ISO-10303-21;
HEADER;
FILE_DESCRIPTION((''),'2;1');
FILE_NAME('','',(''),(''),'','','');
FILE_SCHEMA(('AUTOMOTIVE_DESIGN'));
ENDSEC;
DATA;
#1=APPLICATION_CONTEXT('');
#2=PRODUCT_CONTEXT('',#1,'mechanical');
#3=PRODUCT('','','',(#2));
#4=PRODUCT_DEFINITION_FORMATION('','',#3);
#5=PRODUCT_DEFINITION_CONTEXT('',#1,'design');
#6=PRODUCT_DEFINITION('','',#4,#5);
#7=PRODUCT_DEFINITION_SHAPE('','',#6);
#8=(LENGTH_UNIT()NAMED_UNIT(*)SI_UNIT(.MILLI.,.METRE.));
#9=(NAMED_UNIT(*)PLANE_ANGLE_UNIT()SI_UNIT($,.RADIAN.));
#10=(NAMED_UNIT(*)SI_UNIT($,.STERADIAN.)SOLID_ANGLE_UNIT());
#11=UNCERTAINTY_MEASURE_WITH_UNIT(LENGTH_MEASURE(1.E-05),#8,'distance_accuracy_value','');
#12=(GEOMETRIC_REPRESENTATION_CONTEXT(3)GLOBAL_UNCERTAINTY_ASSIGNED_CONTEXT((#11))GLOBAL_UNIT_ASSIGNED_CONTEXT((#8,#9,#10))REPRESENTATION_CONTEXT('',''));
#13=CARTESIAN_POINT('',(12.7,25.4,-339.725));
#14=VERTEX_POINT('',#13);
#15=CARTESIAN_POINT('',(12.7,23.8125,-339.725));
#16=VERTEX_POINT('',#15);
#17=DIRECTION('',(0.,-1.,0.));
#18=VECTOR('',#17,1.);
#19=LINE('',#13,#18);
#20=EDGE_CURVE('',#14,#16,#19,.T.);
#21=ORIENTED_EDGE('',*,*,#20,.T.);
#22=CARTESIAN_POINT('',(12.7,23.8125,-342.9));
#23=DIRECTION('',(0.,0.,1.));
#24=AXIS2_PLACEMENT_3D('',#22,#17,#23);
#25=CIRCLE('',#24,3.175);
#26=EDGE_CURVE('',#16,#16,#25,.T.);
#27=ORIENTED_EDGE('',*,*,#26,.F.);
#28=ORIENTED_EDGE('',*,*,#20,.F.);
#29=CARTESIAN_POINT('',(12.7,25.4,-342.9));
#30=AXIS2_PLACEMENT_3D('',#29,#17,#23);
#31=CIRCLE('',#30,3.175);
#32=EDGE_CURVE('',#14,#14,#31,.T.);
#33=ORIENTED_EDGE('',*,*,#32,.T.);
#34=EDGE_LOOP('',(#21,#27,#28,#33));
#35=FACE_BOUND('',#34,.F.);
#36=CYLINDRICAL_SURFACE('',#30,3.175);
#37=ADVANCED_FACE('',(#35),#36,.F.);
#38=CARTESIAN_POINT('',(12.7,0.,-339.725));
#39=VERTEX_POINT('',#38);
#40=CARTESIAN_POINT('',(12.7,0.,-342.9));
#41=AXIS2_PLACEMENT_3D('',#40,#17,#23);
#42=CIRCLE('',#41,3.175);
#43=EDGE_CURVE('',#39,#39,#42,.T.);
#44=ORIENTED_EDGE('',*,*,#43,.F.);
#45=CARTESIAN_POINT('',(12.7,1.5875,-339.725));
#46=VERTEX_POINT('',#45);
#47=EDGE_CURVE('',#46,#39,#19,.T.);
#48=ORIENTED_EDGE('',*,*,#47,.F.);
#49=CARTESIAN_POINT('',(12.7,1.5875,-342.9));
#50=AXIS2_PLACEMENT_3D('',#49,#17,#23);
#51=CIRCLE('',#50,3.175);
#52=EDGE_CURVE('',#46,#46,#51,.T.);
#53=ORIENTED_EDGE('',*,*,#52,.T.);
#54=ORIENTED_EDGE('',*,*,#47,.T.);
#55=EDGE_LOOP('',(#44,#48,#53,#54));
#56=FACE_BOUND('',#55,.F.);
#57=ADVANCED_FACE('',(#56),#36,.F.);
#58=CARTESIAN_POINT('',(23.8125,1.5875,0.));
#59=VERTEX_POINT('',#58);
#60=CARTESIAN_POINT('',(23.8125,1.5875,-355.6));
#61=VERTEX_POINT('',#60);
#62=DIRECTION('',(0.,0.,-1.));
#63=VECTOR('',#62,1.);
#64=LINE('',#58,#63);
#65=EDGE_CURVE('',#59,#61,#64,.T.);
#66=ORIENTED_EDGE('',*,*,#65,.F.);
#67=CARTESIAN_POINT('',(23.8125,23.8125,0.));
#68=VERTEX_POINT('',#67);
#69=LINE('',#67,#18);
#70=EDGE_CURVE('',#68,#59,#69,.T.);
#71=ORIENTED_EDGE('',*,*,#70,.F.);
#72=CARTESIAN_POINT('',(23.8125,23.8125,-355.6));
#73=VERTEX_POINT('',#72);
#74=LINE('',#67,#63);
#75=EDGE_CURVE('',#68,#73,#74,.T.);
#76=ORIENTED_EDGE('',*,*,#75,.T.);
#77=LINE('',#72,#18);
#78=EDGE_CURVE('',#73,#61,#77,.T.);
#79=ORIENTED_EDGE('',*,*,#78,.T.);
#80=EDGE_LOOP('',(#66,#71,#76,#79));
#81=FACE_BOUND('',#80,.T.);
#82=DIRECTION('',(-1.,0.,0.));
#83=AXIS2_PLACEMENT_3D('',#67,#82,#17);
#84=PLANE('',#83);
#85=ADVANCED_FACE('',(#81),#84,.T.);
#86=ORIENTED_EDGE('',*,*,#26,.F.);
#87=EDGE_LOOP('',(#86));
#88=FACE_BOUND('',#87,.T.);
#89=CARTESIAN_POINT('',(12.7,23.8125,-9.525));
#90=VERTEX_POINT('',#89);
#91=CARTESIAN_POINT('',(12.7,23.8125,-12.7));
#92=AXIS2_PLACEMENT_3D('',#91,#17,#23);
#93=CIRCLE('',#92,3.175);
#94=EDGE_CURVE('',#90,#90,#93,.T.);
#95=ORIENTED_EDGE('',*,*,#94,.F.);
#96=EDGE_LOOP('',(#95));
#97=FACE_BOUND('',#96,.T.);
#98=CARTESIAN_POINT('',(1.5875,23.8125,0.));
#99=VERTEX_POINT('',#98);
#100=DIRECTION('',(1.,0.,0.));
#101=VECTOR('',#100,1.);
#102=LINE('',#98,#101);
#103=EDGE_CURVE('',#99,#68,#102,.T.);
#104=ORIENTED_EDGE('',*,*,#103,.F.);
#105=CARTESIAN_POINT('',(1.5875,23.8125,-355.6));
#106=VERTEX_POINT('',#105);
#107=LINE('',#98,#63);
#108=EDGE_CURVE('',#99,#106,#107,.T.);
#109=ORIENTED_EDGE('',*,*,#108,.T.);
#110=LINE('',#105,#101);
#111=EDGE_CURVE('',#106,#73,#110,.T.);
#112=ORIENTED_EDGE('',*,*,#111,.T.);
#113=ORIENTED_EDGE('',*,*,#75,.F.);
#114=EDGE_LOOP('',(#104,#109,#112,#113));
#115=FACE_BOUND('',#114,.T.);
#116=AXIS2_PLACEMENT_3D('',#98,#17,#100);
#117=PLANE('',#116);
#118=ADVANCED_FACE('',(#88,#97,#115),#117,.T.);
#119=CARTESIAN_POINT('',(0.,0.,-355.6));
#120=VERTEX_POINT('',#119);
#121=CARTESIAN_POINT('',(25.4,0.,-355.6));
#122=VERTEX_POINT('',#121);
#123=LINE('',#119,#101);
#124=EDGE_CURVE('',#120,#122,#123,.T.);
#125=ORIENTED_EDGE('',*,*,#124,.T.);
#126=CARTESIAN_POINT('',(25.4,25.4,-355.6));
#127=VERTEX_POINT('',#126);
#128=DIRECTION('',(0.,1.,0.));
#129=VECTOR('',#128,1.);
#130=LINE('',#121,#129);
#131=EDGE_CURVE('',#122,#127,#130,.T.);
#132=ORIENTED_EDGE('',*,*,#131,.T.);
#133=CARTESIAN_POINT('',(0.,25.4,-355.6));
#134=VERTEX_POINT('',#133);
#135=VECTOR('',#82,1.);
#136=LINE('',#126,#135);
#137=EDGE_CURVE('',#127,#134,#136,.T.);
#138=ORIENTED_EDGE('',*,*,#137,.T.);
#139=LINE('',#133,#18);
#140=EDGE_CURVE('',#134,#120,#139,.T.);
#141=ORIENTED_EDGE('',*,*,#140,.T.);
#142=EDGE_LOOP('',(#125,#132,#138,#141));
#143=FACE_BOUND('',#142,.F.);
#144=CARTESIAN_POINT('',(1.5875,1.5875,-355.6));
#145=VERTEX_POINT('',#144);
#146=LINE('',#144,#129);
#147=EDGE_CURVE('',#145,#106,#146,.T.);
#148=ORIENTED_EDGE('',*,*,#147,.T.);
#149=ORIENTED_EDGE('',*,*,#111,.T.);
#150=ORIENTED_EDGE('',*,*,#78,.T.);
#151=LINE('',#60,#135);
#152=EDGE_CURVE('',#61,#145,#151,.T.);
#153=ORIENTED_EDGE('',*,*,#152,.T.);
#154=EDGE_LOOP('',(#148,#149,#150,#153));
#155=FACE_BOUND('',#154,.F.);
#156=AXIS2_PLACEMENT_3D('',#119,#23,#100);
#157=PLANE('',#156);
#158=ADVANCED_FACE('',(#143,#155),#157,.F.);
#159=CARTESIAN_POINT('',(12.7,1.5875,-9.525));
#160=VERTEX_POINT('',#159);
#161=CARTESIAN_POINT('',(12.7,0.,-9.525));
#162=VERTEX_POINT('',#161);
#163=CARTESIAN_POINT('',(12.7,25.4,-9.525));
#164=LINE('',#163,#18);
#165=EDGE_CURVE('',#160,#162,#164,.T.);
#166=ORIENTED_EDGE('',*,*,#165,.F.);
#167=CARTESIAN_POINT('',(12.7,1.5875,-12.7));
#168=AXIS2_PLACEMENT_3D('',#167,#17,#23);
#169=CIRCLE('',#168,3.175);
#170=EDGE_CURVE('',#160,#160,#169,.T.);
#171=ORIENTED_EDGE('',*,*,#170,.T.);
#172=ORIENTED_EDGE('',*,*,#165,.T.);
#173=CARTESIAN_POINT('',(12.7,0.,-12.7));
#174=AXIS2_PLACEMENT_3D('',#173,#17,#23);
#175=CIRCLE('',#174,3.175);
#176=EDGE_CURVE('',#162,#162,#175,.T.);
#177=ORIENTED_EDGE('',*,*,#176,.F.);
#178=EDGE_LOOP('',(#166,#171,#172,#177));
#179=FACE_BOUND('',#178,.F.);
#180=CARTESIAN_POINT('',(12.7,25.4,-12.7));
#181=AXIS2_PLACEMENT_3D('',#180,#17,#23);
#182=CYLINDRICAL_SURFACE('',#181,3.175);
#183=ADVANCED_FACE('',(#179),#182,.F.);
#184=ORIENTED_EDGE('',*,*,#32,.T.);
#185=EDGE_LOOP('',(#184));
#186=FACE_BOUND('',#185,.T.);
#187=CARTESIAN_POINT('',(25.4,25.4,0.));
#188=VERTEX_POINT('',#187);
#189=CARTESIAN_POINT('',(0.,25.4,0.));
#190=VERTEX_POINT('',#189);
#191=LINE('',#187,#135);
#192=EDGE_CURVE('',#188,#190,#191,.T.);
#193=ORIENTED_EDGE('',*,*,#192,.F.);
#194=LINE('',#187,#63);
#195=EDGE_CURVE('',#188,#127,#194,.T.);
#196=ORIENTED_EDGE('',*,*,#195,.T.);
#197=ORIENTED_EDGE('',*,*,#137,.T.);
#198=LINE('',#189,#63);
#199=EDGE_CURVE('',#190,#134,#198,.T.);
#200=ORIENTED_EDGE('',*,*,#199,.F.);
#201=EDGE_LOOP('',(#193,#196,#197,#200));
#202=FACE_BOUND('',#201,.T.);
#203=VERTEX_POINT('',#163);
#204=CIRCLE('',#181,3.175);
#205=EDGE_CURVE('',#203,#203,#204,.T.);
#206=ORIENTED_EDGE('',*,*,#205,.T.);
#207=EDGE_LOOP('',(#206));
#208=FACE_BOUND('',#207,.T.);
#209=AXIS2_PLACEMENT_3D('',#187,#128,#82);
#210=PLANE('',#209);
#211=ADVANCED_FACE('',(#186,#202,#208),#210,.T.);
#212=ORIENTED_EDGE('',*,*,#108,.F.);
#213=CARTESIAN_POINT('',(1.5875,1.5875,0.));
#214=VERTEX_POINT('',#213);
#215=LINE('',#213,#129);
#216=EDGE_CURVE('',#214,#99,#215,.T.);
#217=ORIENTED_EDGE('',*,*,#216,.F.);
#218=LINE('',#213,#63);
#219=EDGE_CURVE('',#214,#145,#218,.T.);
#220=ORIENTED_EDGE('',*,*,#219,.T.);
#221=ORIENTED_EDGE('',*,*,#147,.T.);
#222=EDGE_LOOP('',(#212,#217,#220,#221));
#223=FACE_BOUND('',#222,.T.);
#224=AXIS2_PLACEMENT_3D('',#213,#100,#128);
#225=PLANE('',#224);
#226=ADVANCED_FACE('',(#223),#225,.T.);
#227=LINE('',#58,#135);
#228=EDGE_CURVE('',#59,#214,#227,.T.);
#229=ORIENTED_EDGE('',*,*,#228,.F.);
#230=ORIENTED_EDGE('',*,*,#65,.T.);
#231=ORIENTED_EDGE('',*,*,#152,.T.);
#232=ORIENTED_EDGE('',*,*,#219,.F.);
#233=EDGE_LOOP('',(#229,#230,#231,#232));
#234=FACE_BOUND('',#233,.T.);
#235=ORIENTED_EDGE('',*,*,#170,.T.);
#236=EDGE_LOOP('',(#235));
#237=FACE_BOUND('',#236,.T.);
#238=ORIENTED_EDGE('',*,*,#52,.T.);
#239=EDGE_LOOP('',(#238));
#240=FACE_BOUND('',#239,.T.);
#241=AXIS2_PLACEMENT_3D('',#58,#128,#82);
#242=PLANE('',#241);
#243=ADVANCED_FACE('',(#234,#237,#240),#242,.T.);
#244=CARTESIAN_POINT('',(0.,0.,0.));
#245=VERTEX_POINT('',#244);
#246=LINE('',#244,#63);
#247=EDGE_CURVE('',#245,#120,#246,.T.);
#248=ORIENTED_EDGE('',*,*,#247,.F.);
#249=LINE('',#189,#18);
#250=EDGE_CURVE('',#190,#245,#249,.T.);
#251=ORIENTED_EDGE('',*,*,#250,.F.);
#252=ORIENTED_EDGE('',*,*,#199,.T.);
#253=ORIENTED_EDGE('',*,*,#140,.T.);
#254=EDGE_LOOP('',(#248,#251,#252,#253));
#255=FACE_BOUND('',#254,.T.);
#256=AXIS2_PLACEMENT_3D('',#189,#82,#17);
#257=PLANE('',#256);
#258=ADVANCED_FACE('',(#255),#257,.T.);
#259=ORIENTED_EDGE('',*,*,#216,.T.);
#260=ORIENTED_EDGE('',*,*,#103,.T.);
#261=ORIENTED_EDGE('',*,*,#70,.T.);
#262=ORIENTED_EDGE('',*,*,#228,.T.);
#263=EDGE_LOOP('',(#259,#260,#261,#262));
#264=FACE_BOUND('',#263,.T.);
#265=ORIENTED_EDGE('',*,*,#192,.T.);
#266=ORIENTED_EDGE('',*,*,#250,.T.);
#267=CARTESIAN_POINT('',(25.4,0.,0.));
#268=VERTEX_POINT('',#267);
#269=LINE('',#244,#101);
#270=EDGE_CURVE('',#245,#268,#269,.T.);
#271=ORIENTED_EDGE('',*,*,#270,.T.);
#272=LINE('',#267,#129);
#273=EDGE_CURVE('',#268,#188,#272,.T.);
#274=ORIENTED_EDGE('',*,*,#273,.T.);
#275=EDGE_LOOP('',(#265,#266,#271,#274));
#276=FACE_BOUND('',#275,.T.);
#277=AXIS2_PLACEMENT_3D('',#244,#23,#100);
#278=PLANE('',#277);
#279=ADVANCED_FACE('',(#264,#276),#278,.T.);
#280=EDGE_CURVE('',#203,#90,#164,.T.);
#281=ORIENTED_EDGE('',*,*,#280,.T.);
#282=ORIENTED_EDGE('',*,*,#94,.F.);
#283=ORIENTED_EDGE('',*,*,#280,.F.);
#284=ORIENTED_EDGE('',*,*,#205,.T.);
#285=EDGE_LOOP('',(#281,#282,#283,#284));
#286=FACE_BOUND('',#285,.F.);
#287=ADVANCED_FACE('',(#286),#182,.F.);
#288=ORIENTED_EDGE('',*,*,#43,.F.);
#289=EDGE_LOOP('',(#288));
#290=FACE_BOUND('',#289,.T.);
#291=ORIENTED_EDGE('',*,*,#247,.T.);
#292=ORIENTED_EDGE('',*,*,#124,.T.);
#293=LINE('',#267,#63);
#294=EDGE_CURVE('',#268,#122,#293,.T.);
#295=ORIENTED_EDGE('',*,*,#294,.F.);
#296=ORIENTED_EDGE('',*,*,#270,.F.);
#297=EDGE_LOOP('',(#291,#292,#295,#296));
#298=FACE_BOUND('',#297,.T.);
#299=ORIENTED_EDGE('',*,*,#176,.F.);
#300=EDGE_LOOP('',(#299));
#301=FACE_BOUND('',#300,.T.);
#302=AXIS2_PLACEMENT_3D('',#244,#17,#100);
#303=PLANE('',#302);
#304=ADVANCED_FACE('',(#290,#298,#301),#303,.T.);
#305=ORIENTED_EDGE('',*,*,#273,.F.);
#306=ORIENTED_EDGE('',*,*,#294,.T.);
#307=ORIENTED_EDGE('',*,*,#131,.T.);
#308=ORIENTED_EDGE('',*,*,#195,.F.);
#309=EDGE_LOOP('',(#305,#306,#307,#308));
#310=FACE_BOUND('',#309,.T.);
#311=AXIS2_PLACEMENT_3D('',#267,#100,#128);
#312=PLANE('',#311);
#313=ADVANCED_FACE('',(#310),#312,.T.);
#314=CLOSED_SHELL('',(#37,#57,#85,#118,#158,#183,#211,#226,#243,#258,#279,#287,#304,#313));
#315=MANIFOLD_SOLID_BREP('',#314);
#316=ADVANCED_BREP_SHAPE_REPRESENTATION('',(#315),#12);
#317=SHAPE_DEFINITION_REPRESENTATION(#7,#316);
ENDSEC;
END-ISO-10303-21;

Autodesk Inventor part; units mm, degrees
ref_plane "YZ Plane" through (0, 0, 0) normal (1, 0, 0) x (0, 1, 0)
ref_plane "XZ Plane" through (0, 0, 0) normal (0, 1, 0) x (-1, 0, 0)
ref_plane "XY Plane" through (0, 0, 0) normal (0, 0, 1) x (1, 0, 0)
sketch "Sketch1" plane through (0, 0, 0) normal (0, 0, 1) x (1, 0, 0)
  line L0 (0, 0) -> (25.4, 0)
  line L1 (25.4, 0) -> (25.4, 25.4)
  line L2 (25.4, 25.4) -> (0, 25.4)
  line L3 (0, 25.4) -> (0, 0)
  line L4 (1.5875, 23.8125) -> (23.8125, 23.8125)
  line L5 (23.8125, 23.8125) -> (23.8125, 1.5875)
  line L6 (23.8125, 1.5875) -> (1.5875, 1.5875)
  line L7 (1.5875, 1.5875) -> (1.5875, 23.8125)
  dimension "d0" = 25.4
  dimension "d1" = 25.4
  dimension "d2" = 1.5875
extrude "Extrusion1" add sketch "Sketch1" against normal blind 355.6
sketch "Sketch2" plane through (0, 25.4, 0) normal (0, 1, 0) x (1, 0, 0)
  line L0 (25.4, 355.6) -> (0, 355.6) projected
  line L1 (0, 0) -> (0, 355.6) projected
  line L2 (25.4, 0) -> (0, 0) projected
  point P0 (12.7, 12.7)
  point P1 (12.7, 342.9)
  dimension "d5" = 12.7
  dimension "d6" = 12.7
  dimension "d7" = 12.7
hole "Hole1" at (12.7, 25.4, -12.7) at (12.7, 25.4, -342.9) direction (0, -1, 0) diameter 6.35 depth 25.4 tip angle 118
properties part number "tube_m_r_out_center"
